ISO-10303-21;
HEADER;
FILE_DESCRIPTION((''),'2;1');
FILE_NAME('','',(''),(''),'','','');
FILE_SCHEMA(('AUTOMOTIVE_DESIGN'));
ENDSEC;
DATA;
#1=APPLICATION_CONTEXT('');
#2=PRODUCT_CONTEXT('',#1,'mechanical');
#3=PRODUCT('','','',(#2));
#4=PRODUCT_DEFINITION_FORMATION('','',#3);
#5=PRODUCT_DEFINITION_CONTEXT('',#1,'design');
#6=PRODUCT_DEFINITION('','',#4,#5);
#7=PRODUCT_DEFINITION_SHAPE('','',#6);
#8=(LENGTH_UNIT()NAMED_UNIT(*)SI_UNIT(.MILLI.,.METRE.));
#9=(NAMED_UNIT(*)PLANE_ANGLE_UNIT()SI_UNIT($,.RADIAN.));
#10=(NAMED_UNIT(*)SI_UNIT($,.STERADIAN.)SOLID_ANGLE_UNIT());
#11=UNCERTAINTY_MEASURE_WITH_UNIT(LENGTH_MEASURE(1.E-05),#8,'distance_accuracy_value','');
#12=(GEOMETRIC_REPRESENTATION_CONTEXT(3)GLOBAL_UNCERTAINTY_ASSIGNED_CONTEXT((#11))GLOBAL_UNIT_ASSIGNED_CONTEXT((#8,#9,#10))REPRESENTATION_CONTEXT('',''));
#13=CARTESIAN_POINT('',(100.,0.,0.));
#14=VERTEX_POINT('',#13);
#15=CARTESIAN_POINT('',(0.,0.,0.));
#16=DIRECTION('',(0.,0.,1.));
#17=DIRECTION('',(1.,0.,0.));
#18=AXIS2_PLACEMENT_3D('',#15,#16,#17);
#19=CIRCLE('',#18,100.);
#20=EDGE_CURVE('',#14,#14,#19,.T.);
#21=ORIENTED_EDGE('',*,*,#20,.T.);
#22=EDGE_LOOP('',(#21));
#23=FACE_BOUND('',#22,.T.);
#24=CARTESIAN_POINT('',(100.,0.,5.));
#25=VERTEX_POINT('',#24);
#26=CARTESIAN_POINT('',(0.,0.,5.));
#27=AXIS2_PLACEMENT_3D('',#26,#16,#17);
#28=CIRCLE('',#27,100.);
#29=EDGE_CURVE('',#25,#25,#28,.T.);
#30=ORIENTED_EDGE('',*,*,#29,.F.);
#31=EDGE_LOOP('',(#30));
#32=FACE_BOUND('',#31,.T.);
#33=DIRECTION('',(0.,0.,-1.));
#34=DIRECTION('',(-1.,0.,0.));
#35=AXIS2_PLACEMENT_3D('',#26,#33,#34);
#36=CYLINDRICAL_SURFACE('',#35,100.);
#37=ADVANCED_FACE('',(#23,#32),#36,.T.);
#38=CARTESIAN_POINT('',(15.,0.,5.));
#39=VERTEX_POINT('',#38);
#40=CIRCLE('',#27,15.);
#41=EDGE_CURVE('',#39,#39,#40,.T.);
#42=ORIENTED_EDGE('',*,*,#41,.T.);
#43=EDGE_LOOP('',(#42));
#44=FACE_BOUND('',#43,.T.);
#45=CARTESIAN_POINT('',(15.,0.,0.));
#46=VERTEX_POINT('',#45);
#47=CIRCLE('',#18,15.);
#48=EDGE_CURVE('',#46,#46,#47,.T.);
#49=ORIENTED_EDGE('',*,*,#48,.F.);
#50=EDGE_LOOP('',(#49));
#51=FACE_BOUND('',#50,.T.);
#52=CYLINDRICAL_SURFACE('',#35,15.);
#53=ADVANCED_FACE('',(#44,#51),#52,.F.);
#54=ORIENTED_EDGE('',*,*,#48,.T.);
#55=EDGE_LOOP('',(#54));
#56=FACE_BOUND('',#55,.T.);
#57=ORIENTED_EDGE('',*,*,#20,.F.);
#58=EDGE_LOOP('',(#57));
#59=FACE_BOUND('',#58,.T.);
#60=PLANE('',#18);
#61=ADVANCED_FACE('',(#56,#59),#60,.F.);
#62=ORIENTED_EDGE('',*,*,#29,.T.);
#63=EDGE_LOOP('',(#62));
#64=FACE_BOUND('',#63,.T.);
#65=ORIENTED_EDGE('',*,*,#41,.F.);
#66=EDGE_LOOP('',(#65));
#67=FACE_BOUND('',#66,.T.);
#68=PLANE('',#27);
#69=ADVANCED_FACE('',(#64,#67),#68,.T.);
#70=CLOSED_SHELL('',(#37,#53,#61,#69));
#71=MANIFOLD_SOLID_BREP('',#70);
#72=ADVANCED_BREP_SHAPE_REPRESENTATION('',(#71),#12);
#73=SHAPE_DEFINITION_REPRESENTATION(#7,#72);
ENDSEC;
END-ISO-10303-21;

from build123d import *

# Parameters (mm, degrees)
SKETCH2_R           = 100
SKETCH2_R_2         = 15
BOSS_EXTRUDE1_DEPTH = 5


with BuildPart() as part:
    # Sketch2 → Boss-Extrude1 (new body)
    with BuildSketch(Plane.XY):
        Circle(SKETCH2_R)
        Circle(SKETCH2_R_2, mode=Mode.SUBTRACT)
    extrude(amount=BOSS_EXTRUDE1_DEPTH)


solid = part.part
